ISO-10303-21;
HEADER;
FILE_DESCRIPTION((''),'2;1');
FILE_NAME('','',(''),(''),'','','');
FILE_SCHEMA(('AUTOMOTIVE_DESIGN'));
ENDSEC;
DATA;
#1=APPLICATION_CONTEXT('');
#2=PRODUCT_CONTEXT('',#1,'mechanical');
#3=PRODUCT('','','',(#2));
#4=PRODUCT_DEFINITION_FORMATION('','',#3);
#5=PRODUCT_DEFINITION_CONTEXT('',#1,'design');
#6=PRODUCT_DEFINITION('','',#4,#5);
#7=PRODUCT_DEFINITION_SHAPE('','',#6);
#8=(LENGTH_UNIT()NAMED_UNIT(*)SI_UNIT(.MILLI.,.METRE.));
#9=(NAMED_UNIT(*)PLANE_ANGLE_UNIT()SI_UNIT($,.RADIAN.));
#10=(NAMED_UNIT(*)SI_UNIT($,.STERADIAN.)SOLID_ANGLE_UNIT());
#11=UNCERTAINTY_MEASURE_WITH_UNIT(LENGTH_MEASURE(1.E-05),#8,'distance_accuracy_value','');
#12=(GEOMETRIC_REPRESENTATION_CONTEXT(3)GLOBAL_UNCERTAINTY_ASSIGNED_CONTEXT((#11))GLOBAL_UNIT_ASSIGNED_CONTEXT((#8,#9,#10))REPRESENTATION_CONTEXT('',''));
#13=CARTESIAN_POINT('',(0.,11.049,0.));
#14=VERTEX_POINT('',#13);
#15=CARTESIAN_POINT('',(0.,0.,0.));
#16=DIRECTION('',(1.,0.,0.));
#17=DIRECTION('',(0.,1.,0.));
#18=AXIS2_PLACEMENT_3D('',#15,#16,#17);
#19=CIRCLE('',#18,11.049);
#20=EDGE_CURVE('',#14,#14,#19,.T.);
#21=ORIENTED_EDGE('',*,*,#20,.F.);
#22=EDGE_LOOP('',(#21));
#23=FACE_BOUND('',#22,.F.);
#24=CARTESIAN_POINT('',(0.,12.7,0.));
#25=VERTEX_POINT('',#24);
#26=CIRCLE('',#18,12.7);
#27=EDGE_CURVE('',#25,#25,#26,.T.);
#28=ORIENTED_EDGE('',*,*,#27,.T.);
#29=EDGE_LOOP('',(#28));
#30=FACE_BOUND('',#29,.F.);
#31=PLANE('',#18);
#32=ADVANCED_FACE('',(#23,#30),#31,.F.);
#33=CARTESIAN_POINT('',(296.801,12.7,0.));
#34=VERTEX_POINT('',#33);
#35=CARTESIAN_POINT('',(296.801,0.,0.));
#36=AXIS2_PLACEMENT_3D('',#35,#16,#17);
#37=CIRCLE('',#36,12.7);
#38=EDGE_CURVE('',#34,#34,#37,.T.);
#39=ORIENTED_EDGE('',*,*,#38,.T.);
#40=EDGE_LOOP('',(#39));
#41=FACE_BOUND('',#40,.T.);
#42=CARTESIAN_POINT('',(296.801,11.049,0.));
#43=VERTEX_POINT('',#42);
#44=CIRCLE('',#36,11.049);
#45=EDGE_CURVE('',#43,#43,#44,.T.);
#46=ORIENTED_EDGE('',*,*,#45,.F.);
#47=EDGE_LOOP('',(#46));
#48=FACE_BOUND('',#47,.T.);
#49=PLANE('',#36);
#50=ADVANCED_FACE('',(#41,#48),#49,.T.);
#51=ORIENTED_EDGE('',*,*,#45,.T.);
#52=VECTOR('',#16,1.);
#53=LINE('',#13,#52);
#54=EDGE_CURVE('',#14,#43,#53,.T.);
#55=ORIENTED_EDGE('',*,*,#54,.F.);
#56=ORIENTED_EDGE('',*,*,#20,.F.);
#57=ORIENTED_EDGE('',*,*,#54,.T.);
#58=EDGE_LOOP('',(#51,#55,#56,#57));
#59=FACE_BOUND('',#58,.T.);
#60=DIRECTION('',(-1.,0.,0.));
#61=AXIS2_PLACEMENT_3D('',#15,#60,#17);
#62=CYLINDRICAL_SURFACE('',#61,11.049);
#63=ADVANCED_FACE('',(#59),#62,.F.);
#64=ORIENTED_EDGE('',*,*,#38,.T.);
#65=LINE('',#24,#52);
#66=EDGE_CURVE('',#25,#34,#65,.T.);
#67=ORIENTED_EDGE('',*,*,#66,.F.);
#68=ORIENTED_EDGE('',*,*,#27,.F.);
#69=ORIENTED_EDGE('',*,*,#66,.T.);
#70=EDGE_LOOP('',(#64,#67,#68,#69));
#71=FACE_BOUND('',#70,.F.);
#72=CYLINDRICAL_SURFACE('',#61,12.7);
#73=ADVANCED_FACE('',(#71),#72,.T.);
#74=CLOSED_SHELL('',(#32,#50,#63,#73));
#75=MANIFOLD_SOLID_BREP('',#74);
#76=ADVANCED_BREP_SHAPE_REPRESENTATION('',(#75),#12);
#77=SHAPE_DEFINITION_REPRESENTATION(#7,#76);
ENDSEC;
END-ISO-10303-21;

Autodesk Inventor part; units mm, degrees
ref_plane "XZ Plane" through (0, 0, 0) normal (0, 1, 0) x (-1, 0, 0)
ref_plane "Start Plane" through (0, 0, 0) normal (1, 0, 0) x (0, 1, 0)
ref_plane "End Plane" through (296.801, 0, 0) normal (1, 0, 0) x (0, 1, 0)
sketch "Sketch" plane through (0, 0, 0) normal (1, 0, 0) x (0, 1, 0)
  circle A0 centre (0, 0) radius 12.7
  circle A1 centre (0, 0) radius 11.049
  dimension "d0" = 25.4
  dimension "d1" = 1.651
extrude "Body" add sketch "Sketch" along normal up to surface (296.801 mm away) from surface at 0
sketch "Sketch2" plane through (0, 0, 0) normal (1, 0, 0) x (0, 1, 0)
  line L0 (0, 0) -> (10, 0)
ref_plane "Work Plane3" through (0, 0, 0) normal (0, 0, -1) x (0, 1, 0)
sketch "Sketch3" plane through (0, 0, 0) normal (0, 0, -1) x (0, 1, 0)
  line L0 (-2, 0) -> (12, 0)
  line L1 (-2, 296.801) -> (12, 296.801)
  dimension "d9" = 296.801
equation "\"G_OFFSET_START\" = 0"
equation "\"G_OFFSET_END\" = 0"
equation "\"d5\" = d2 + G_OFFSET_END"
equation "\"G_L\" = d9"
equation "\"d2\" = 296.800964"
properties part number "4130_1x0.065" material "Steel, Alloy"
